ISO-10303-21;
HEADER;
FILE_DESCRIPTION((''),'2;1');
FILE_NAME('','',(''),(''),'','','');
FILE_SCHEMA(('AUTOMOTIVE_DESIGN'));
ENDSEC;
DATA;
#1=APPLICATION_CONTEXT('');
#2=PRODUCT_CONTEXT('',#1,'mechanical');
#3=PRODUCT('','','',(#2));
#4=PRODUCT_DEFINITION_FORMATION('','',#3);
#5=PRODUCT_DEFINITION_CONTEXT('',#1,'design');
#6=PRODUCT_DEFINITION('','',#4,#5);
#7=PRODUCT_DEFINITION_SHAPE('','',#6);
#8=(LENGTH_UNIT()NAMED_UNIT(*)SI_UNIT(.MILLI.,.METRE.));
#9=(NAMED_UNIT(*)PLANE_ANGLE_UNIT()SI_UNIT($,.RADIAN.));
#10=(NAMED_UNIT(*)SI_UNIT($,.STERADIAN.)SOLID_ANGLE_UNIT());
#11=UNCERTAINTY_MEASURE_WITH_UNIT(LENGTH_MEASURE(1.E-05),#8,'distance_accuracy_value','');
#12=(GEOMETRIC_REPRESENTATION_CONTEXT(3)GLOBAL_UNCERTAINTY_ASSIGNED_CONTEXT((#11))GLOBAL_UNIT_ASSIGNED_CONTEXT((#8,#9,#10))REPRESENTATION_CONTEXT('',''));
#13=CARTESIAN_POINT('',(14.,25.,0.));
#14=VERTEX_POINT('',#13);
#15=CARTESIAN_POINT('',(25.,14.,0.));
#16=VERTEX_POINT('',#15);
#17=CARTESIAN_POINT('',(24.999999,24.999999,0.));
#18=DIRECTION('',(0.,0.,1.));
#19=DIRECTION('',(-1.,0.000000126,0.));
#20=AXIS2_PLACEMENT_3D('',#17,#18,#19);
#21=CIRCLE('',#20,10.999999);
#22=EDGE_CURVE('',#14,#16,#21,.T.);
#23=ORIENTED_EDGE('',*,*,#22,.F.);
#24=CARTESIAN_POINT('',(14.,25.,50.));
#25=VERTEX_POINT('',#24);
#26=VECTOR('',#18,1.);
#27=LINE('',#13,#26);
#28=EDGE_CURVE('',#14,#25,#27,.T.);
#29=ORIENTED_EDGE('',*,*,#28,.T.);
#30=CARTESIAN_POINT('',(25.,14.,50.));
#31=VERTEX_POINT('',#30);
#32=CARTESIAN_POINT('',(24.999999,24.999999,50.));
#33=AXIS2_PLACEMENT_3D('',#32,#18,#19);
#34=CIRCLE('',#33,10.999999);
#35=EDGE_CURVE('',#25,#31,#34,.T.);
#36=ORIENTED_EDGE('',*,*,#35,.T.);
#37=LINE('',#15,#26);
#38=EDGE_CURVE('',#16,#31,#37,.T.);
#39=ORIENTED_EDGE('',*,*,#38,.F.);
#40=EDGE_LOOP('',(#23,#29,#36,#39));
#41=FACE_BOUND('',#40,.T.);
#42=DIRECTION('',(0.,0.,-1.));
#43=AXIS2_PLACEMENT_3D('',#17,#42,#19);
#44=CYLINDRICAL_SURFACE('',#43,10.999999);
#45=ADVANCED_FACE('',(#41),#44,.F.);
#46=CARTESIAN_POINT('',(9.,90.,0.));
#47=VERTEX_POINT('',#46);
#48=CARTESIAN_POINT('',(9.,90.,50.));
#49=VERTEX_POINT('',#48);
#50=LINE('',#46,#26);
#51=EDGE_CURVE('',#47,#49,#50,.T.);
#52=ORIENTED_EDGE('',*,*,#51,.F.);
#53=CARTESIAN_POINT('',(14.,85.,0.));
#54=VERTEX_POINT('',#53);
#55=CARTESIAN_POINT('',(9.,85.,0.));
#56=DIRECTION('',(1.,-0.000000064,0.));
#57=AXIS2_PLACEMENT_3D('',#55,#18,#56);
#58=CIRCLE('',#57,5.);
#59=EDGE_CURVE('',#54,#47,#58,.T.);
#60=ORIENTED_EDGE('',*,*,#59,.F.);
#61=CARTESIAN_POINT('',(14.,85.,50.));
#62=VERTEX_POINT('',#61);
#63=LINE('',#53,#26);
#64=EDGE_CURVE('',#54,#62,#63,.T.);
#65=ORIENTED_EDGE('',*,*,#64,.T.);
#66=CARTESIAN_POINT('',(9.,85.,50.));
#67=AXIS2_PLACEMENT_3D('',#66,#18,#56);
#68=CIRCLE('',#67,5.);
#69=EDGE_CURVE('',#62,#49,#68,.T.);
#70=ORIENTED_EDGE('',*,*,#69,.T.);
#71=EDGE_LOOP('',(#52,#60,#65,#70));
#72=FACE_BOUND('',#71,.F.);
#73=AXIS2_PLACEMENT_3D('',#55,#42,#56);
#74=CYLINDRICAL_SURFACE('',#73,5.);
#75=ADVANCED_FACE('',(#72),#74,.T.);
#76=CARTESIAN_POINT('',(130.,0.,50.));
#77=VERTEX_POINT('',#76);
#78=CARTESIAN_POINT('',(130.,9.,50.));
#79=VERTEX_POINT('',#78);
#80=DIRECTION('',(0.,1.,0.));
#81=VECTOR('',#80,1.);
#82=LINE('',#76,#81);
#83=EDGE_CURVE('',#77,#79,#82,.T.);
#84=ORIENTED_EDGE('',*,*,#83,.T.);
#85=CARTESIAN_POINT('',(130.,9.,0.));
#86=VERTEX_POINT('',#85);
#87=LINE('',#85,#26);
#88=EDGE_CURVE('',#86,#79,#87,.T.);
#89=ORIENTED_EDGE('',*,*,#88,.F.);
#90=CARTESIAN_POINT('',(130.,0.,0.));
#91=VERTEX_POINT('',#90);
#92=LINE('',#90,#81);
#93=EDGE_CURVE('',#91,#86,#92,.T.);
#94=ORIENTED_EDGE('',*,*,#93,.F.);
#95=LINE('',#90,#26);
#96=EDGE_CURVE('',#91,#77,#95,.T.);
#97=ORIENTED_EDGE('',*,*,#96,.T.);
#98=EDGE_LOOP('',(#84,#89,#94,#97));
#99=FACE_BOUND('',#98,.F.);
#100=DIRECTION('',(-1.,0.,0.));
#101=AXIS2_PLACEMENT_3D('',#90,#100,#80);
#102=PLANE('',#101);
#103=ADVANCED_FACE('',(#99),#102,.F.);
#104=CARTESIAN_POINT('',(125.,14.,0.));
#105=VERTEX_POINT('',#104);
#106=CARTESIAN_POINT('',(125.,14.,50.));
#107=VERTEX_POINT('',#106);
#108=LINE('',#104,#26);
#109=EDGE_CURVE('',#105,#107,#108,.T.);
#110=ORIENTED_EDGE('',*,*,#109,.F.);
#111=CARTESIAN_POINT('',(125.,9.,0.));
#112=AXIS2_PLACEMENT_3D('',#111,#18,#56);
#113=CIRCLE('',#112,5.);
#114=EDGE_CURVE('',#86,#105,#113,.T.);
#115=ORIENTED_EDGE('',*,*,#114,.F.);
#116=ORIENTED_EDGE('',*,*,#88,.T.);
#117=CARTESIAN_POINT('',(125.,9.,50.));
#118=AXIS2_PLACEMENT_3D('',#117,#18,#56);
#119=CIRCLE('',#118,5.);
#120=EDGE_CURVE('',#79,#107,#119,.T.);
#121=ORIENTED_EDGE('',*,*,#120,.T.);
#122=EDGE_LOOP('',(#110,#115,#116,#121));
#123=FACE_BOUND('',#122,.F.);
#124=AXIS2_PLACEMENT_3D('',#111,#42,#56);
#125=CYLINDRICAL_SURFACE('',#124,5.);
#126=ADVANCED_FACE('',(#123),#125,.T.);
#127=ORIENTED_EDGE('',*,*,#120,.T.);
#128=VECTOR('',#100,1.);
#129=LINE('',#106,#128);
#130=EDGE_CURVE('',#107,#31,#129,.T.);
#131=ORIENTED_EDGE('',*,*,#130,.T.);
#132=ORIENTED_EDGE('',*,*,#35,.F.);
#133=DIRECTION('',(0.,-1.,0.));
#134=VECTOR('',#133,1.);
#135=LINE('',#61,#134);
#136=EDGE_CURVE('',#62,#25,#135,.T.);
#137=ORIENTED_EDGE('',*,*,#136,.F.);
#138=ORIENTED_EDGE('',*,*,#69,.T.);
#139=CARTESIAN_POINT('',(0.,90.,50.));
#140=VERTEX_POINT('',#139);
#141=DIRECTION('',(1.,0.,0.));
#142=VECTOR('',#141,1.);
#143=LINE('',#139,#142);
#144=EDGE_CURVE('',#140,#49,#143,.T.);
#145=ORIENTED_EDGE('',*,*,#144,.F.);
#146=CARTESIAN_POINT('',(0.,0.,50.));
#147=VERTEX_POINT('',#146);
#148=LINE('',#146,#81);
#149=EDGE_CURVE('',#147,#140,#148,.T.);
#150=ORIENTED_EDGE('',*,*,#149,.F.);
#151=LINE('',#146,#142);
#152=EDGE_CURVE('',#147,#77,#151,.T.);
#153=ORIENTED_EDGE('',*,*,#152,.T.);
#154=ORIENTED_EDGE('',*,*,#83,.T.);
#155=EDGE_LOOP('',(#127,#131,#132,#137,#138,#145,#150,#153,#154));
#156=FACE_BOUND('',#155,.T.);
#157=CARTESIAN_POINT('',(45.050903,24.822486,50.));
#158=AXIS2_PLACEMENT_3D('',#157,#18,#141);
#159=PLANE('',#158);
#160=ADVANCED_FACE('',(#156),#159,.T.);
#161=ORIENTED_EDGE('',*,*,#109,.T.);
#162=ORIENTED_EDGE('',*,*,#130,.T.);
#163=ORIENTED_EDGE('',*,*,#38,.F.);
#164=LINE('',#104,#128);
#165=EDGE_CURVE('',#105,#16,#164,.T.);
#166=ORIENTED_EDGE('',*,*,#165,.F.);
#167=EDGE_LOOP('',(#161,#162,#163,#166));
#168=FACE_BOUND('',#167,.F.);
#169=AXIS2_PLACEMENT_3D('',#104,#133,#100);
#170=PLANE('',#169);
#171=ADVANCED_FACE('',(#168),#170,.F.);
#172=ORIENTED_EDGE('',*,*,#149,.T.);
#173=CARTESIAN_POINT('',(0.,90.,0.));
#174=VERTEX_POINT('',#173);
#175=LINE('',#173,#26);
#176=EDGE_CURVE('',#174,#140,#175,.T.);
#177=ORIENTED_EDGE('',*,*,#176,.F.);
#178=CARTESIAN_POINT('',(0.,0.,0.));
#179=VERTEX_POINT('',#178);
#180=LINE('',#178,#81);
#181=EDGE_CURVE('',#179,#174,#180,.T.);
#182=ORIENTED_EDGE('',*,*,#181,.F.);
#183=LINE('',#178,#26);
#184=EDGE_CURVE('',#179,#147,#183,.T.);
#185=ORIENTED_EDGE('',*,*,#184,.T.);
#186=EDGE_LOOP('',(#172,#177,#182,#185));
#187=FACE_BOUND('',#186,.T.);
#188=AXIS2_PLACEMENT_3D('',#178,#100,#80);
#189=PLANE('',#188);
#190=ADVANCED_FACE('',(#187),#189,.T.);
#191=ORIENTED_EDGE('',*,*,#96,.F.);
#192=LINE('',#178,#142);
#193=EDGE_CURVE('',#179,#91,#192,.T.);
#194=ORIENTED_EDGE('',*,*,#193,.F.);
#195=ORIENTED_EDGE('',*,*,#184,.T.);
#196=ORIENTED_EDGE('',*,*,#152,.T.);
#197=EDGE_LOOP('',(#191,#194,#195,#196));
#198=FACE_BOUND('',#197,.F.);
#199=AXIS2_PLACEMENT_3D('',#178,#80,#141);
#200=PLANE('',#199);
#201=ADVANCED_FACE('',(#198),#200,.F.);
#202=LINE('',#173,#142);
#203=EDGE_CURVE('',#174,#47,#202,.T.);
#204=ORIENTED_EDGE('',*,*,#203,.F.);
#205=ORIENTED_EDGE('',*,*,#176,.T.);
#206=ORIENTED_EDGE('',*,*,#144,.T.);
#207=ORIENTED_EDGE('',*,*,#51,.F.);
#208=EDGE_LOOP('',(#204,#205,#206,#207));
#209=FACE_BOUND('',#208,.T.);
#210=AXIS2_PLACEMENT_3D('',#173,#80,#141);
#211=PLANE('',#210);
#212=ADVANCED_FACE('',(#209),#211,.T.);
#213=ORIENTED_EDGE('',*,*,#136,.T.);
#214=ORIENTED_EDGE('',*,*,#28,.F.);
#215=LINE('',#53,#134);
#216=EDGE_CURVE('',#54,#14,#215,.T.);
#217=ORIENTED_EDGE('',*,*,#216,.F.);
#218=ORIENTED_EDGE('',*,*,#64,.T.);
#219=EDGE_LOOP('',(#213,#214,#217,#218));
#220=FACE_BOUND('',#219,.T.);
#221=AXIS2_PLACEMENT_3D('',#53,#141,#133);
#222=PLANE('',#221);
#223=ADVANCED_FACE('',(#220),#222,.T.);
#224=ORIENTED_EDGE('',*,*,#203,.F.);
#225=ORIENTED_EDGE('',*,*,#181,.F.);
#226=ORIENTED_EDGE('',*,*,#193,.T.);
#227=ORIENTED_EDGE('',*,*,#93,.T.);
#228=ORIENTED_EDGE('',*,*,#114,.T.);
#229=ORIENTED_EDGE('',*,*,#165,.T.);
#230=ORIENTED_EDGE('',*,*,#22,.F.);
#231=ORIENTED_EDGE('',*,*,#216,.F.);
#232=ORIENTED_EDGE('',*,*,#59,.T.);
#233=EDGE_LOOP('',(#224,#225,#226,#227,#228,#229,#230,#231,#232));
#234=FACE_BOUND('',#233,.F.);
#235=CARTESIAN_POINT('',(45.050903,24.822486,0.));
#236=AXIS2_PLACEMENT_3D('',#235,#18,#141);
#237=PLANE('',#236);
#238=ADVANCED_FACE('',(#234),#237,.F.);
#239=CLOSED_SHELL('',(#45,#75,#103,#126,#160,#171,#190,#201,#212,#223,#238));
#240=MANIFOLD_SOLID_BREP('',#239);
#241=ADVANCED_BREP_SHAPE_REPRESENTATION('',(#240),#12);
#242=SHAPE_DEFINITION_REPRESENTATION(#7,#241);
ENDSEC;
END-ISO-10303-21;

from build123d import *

# Parameters (mm, degrees)
EXTRUDE_DEPTH = 50


with BuildPart() as part:
    # Sketch → Extrude (new body)
    with BuildSketch(Plane.XY):
        with BuildLine():
            Line((0, 0), (130, 0))
            Line((130, 0), (130, 9))
            ThreePointArc((130, 9), (128.535534, 12.535534), (125, 14))
            Line((125, 14), (25, 14))
            ThreePointArc((14, 25), (17.221825, 17.221825), (25, 14))
            Line((14, 85), (14, 25))
            ThreePointArc((14, 85), (12.535534, 88.535534), (9, 90))
            Line((0, 90), (9, 90))
            Line((0, 0), (0, 90))
        make_face()
    extrude(amount=EXTRUDE_DEPTH)


solid = part.part
